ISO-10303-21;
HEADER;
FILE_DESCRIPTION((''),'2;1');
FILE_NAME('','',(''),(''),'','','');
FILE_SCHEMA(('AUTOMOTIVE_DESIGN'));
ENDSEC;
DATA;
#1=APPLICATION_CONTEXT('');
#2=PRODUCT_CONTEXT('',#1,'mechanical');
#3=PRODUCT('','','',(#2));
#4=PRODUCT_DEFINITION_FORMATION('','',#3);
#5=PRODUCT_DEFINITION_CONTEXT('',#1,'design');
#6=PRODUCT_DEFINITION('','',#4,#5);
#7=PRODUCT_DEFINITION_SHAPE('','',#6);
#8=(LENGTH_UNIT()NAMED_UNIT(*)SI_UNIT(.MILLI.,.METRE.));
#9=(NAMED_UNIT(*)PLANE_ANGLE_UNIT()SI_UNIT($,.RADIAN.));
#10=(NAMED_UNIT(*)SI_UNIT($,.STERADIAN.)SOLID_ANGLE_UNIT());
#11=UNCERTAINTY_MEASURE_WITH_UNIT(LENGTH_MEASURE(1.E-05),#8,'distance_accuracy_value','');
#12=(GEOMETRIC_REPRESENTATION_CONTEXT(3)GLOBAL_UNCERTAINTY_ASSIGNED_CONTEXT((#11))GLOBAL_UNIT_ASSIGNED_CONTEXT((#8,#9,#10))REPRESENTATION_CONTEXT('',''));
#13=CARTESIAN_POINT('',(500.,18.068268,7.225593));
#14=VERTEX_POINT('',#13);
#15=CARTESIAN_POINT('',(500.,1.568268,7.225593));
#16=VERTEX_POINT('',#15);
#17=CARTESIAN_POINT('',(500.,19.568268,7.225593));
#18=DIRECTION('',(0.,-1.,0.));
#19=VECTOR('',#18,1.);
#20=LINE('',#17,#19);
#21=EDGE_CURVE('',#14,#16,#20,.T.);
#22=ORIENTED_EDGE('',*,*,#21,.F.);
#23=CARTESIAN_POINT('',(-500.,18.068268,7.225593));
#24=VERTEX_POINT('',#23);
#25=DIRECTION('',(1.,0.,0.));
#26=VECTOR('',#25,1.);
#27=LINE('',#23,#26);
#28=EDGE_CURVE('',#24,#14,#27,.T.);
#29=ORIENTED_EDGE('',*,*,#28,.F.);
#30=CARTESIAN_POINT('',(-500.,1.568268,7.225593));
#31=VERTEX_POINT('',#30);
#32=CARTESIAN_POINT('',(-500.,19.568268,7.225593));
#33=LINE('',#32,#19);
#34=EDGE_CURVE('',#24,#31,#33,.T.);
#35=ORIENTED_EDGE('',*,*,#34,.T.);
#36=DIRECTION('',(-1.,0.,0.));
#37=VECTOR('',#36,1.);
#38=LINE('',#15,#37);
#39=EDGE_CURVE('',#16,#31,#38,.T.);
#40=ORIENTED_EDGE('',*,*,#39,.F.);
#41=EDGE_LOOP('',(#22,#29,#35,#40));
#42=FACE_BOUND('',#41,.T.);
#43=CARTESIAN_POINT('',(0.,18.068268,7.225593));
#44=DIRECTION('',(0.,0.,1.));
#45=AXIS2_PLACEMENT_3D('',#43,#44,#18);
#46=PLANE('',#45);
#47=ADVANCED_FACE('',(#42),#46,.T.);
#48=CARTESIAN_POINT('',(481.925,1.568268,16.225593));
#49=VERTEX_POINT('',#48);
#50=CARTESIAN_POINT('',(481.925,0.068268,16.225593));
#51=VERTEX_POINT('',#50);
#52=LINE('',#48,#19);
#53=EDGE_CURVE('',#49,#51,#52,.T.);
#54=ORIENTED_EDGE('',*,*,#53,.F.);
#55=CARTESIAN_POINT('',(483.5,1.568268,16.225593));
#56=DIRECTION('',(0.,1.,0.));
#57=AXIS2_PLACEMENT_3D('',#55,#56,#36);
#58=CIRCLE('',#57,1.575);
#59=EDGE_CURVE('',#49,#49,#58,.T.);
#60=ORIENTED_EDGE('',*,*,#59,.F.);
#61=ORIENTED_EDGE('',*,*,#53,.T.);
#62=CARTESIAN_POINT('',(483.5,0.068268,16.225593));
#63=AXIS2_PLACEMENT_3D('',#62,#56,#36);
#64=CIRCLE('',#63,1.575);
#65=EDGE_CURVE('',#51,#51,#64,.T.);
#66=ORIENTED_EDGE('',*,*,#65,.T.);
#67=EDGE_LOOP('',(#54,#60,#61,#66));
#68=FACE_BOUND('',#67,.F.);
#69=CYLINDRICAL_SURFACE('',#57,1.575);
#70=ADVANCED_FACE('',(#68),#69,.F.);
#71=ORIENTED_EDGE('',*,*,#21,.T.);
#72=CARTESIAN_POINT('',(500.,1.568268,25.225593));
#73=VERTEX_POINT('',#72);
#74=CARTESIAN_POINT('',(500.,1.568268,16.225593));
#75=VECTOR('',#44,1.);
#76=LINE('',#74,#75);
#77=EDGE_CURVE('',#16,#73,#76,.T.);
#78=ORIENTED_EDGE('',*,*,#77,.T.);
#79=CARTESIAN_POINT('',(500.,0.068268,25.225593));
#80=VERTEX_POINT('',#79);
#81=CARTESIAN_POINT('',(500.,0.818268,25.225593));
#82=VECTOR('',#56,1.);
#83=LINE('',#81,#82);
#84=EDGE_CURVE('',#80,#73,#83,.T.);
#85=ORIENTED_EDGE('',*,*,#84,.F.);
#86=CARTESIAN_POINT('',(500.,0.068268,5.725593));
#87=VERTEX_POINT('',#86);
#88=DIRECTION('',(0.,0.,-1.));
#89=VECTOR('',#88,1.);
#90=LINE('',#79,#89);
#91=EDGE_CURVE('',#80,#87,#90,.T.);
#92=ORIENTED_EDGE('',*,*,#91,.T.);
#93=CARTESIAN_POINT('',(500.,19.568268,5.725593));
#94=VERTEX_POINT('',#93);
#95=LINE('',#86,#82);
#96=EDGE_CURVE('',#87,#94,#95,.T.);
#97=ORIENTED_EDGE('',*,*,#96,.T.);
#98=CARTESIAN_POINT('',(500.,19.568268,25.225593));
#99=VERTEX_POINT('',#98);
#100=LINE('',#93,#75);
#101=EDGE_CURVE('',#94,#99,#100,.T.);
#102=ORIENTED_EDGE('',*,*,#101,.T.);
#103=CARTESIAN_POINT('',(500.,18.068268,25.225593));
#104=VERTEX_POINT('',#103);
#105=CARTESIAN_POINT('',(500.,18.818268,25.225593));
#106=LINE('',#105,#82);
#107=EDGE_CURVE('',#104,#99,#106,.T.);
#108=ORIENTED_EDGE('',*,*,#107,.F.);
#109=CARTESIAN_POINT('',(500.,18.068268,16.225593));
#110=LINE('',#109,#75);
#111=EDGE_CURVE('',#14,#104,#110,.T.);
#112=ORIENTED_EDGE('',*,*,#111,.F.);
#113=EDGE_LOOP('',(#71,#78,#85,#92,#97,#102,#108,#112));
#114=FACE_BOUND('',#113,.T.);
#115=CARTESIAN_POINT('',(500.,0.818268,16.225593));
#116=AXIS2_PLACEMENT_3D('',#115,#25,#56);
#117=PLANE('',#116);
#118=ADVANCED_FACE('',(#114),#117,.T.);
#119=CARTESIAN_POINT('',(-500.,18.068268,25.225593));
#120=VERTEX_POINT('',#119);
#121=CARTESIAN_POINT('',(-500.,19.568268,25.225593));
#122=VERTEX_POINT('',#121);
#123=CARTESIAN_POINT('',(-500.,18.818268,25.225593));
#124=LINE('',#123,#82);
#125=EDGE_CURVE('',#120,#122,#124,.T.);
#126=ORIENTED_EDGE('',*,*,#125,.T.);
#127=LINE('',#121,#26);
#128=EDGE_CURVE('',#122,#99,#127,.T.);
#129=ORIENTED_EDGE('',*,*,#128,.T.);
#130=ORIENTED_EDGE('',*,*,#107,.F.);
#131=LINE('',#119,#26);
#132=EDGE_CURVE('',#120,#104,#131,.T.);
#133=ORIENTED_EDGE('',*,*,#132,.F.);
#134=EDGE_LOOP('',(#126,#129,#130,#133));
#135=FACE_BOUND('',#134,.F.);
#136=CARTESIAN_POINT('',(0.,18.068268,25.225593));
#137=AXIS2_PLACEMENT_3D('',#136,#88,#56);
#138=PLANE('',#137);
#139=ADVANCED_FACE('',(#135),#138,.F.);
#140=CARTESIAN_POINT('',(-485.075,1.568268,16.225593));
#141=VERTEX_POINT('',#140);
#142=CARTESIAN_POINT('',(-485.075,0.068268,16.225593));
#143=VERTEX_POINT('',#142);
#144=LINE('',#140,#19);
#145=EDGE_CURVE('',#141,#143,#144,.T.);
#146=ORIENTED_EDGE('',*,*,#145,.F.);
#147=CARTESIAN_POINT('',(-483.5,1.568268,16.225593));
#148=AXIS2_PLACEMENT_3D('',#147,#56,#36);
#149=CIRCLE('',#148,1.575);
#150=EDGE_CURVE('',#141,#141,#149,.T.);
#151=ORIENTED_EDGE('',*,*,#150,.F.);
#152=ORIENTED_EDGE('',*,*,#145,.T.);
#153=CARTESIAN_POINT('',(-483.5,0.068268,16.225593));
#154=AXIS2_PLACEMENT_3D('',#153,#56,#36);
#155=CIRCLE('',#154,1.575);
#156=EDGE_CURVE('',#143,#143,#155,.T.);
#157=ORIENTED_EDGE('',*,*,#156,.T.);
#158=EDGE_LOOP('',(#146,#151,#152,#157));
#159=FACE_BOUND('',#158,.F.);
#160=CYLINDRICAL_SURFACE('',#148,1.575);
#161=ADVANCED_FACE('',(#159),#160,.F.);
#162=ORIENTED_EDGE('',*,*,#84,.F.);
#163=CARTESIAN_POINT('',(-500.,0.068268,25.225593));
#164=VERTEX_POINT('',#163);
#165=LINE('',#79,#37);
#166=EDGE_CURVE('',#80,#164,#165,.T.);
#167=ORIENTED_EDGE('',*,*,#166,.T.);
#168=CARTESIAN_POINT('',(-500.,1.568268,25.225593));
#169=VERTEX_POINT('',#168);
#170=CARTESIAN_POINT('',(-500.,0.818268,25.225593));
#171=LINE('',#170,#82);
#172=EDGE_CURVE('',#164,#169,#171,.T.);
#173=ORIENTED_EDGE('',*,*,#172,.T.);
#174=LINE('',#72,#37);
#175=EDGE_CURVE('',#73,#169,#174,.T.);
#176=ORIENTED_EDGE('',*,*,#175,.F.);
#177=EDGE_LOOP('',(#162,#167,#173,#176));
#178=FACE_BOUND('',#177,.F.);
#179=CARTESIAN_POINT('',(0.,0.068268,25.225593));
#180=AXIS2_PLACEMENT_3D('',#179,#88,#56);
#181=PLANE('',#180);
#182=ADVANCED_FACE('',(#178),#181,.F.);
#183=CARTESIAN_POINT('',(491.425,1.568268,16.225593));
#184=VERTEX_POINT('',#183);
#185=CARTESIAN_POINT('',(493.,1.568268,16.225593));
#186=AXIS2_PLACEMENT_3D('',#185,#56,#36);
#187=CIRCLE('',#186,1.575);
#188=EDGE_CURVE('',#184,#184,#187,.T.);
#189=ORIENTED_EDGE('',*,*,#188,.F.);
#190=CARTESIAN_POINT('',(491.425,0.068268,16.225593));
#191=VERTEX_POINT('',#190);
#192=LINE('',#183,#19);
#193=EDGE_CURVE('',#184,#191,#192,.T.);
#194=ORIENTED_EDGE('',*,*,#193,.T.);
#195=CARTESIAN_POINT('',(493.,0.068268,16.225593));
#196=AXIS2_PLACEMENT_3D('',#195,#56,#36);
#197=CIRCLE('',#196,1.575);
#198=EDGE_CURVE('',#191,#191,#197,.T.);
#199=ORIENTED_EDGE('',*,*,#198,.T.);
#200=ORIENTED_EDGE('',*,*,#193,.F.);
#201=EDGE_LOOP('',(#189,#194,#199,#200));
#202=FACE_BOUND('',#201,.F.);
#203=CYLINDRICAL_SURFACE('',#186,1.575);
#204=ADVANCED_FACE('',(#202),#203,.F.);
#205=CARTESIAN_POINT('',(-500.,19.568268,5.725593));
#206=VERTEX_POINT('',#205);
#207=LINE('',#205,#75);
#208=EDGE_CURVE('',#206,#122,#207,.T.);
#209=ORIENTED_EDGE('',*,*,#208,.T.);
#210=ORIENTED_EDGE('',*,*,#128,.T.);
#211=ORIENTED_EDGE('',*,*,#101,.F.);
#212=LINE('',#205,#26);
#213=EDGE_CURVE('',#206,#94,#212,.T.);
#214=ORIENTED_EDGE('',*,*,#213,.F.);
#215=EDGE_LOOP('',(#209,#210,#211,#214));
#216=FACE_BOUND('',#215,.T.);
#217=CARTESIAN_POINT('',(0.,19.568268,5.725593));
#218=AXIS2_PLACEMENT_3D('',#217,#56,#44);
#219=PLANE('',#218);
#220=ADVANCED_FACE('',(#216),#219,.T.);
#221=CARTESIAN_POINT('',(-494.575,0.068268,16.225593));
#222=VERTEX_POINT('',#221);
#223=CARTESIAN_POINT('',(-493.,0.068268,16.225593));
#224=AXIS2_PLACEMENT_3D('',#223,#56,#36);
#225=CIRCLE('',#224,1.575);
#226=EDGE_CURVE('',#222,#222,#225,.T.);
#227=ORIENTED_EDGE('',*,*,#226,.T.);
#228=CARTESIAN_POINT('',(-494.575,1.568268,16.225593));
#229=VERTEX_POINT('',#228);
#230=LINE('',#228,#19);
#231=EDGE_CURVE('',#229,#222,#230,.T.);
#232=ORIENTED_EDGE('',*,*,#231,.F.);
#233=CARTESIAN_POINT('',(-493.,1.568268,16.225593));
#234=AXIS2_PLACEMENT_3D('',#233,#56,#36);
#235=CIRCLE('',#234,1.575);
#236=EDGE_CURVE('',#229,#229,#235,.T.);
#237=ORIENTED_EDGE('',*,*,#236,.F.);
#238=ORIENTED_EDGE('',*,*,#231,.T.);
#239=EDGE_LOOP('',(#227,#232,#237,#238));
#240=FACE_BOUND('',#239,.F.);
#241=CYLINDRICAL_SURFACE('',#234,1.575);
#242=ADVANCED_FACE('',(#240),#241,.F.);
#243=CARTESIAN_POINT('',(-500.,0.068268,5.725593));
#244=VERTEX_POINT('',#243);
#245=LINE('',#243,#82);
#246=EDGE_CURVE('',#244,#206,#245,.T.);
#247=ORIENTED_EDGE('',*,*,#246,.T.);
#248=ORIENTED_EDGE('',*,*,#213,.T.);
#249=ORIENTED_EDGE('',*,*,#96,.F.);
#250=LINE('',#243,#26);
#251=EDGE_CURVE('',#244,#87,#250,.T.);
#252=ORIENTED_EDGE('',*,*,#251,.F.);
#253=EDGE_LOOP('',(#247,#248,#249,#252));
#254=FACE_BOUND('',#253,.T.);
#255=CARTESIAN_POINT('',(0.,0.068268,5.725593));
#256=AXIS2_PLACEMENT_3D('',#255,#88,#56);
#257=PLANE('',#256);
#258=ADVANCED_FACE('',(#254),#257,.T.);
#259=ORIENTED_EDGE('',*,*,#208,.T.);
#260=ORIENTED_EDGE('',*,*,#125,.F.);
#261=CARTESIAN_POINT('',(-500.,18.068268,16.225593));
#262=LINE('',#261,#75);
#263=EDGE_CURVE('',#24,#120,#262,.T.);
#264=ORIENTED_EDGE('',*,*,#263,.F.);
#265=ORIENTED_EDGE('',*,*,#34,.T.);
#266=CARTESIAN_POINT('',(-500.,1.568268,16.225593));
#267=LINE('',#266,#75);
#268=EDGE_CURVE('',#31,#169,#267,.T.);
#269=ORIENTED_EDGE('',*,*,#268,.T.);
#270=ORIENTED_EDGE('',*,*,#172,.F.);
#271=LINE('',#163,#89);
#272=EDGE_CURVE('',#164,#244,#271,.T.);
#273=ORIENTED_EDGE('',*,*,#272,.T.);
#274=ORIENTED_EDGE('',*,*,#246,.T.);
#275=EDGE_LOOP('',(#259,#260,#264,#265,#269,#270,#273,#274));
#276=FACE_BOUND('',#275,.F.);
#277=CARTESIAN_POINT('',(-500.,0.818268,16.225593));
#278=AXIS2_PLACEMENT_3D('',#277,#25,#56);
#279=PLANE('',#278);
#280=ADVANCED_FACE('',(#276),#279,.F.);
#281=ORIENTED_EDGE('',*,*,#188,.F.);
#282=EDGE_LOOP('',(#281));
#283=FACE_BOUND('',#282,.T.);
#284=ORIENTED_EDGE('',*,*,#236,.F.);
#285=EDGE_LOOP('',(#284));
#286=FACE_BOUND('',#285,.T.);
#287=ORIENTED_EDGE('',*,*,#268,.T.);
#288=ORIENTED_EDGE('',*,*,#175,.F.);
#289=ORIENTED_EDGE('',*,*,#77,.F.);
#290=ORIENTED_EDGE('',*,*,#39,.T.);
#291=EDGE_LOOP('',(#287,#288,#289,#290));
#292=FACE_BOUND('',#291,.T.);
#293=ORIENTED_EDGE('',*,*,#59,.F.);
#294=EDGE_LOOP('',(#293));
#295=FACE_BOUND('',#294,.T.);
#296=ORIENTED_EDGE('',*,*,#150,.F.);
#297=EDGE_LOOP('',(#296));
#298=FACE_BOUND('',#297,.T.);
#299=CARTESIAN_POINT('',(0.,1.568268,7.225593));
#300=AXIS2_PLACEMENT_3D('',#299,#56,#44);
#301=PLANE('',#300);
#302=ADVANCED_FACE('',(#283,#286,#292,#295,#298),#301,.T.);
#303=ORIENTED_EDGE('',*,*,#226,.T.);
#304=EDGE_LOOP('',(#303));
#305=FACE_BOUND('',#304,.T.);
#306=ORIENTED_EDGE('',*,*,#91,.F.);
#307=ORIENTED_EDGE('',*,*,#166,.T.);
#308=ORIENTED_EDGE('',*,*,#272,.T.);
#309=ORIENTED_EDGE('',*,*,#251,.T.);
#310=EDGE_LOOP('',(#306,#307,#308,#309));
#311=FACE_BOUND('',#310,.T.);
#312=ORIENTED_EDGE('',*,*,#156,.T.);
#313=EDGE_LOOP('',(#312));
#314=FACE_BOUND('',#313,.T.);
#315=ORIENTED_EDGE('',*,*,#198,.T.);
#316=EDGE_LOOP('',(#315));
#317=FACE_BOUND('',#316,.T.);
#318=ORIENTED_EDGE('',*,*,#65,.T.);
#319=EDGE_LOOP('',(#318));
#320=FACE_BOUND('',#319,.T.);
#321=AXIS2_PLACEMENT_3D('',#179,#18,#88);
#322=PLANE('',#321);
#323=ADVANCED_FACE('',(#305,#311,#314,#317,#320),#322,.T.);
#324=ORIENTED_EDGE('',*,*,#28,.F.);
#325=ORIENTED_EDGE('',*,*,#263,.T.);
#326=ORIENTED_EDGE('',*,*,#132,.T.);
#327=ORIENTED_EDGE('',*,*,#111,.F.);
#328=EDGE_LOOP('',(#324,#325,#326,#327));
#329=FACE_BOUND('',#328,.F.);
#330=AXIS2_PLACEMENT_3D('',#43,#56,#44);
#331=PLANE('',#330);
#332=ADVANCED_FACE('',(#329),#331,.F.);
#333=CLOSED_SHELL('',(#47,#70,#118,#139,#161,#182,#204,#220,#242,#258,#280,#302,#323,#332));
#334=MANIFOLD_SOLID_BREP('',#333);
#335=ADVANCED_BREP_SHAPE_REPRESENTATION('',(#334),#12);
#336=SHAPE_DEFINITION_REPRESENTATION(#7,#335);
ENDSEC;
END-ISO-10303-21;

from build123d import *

# Parameters (mm, degrees)
F0_W     = 1.5
F0_H     = 18
F1_DEPTH = 500
F3_D     = 3.15
F3_DEPTH = 1.501


with BuildPart() as f1:
    # F0 (on Right) → F1 (new body, symmetric)
    with BuildSketch(Plane.YZ):
        with Locations((0.8182681763, 16.2255928113)):
            Rectangle(F0_W, F0_H)
        Polygon((1.5682681763, 7.2255928113), (0.0682681763, 7.2255928113), (0.0682681763, 5.7255928113), (19.5682681763, 5.7255928113), (19.5682681763, 7.2255928113), (18.0682681763, 7.2255928113), align=None)
        with Locations((18.8182681763, 16.2255928113)):
            Rectangle(F0_W, F0_H)
    extrude(amount=F1_DEPTH, both=True)

    # F3 (through all, one way)
    with BuildSketch(Plane(origin=(0, 1.5682681763, 0), x_dir=(-1, 0, 0), z_dir=(0, 1, 0))):
        with Locations((-483.5, 16.2255928113), (-493, 16.2255928113), (493, 16.2255928113), (483.5, 16.2255928113)):
            Circle(F3_D / 2)
    extrude(amount=-F3_DEPTH, mode=Mode.SUBTRACT)


solid = f1.part
